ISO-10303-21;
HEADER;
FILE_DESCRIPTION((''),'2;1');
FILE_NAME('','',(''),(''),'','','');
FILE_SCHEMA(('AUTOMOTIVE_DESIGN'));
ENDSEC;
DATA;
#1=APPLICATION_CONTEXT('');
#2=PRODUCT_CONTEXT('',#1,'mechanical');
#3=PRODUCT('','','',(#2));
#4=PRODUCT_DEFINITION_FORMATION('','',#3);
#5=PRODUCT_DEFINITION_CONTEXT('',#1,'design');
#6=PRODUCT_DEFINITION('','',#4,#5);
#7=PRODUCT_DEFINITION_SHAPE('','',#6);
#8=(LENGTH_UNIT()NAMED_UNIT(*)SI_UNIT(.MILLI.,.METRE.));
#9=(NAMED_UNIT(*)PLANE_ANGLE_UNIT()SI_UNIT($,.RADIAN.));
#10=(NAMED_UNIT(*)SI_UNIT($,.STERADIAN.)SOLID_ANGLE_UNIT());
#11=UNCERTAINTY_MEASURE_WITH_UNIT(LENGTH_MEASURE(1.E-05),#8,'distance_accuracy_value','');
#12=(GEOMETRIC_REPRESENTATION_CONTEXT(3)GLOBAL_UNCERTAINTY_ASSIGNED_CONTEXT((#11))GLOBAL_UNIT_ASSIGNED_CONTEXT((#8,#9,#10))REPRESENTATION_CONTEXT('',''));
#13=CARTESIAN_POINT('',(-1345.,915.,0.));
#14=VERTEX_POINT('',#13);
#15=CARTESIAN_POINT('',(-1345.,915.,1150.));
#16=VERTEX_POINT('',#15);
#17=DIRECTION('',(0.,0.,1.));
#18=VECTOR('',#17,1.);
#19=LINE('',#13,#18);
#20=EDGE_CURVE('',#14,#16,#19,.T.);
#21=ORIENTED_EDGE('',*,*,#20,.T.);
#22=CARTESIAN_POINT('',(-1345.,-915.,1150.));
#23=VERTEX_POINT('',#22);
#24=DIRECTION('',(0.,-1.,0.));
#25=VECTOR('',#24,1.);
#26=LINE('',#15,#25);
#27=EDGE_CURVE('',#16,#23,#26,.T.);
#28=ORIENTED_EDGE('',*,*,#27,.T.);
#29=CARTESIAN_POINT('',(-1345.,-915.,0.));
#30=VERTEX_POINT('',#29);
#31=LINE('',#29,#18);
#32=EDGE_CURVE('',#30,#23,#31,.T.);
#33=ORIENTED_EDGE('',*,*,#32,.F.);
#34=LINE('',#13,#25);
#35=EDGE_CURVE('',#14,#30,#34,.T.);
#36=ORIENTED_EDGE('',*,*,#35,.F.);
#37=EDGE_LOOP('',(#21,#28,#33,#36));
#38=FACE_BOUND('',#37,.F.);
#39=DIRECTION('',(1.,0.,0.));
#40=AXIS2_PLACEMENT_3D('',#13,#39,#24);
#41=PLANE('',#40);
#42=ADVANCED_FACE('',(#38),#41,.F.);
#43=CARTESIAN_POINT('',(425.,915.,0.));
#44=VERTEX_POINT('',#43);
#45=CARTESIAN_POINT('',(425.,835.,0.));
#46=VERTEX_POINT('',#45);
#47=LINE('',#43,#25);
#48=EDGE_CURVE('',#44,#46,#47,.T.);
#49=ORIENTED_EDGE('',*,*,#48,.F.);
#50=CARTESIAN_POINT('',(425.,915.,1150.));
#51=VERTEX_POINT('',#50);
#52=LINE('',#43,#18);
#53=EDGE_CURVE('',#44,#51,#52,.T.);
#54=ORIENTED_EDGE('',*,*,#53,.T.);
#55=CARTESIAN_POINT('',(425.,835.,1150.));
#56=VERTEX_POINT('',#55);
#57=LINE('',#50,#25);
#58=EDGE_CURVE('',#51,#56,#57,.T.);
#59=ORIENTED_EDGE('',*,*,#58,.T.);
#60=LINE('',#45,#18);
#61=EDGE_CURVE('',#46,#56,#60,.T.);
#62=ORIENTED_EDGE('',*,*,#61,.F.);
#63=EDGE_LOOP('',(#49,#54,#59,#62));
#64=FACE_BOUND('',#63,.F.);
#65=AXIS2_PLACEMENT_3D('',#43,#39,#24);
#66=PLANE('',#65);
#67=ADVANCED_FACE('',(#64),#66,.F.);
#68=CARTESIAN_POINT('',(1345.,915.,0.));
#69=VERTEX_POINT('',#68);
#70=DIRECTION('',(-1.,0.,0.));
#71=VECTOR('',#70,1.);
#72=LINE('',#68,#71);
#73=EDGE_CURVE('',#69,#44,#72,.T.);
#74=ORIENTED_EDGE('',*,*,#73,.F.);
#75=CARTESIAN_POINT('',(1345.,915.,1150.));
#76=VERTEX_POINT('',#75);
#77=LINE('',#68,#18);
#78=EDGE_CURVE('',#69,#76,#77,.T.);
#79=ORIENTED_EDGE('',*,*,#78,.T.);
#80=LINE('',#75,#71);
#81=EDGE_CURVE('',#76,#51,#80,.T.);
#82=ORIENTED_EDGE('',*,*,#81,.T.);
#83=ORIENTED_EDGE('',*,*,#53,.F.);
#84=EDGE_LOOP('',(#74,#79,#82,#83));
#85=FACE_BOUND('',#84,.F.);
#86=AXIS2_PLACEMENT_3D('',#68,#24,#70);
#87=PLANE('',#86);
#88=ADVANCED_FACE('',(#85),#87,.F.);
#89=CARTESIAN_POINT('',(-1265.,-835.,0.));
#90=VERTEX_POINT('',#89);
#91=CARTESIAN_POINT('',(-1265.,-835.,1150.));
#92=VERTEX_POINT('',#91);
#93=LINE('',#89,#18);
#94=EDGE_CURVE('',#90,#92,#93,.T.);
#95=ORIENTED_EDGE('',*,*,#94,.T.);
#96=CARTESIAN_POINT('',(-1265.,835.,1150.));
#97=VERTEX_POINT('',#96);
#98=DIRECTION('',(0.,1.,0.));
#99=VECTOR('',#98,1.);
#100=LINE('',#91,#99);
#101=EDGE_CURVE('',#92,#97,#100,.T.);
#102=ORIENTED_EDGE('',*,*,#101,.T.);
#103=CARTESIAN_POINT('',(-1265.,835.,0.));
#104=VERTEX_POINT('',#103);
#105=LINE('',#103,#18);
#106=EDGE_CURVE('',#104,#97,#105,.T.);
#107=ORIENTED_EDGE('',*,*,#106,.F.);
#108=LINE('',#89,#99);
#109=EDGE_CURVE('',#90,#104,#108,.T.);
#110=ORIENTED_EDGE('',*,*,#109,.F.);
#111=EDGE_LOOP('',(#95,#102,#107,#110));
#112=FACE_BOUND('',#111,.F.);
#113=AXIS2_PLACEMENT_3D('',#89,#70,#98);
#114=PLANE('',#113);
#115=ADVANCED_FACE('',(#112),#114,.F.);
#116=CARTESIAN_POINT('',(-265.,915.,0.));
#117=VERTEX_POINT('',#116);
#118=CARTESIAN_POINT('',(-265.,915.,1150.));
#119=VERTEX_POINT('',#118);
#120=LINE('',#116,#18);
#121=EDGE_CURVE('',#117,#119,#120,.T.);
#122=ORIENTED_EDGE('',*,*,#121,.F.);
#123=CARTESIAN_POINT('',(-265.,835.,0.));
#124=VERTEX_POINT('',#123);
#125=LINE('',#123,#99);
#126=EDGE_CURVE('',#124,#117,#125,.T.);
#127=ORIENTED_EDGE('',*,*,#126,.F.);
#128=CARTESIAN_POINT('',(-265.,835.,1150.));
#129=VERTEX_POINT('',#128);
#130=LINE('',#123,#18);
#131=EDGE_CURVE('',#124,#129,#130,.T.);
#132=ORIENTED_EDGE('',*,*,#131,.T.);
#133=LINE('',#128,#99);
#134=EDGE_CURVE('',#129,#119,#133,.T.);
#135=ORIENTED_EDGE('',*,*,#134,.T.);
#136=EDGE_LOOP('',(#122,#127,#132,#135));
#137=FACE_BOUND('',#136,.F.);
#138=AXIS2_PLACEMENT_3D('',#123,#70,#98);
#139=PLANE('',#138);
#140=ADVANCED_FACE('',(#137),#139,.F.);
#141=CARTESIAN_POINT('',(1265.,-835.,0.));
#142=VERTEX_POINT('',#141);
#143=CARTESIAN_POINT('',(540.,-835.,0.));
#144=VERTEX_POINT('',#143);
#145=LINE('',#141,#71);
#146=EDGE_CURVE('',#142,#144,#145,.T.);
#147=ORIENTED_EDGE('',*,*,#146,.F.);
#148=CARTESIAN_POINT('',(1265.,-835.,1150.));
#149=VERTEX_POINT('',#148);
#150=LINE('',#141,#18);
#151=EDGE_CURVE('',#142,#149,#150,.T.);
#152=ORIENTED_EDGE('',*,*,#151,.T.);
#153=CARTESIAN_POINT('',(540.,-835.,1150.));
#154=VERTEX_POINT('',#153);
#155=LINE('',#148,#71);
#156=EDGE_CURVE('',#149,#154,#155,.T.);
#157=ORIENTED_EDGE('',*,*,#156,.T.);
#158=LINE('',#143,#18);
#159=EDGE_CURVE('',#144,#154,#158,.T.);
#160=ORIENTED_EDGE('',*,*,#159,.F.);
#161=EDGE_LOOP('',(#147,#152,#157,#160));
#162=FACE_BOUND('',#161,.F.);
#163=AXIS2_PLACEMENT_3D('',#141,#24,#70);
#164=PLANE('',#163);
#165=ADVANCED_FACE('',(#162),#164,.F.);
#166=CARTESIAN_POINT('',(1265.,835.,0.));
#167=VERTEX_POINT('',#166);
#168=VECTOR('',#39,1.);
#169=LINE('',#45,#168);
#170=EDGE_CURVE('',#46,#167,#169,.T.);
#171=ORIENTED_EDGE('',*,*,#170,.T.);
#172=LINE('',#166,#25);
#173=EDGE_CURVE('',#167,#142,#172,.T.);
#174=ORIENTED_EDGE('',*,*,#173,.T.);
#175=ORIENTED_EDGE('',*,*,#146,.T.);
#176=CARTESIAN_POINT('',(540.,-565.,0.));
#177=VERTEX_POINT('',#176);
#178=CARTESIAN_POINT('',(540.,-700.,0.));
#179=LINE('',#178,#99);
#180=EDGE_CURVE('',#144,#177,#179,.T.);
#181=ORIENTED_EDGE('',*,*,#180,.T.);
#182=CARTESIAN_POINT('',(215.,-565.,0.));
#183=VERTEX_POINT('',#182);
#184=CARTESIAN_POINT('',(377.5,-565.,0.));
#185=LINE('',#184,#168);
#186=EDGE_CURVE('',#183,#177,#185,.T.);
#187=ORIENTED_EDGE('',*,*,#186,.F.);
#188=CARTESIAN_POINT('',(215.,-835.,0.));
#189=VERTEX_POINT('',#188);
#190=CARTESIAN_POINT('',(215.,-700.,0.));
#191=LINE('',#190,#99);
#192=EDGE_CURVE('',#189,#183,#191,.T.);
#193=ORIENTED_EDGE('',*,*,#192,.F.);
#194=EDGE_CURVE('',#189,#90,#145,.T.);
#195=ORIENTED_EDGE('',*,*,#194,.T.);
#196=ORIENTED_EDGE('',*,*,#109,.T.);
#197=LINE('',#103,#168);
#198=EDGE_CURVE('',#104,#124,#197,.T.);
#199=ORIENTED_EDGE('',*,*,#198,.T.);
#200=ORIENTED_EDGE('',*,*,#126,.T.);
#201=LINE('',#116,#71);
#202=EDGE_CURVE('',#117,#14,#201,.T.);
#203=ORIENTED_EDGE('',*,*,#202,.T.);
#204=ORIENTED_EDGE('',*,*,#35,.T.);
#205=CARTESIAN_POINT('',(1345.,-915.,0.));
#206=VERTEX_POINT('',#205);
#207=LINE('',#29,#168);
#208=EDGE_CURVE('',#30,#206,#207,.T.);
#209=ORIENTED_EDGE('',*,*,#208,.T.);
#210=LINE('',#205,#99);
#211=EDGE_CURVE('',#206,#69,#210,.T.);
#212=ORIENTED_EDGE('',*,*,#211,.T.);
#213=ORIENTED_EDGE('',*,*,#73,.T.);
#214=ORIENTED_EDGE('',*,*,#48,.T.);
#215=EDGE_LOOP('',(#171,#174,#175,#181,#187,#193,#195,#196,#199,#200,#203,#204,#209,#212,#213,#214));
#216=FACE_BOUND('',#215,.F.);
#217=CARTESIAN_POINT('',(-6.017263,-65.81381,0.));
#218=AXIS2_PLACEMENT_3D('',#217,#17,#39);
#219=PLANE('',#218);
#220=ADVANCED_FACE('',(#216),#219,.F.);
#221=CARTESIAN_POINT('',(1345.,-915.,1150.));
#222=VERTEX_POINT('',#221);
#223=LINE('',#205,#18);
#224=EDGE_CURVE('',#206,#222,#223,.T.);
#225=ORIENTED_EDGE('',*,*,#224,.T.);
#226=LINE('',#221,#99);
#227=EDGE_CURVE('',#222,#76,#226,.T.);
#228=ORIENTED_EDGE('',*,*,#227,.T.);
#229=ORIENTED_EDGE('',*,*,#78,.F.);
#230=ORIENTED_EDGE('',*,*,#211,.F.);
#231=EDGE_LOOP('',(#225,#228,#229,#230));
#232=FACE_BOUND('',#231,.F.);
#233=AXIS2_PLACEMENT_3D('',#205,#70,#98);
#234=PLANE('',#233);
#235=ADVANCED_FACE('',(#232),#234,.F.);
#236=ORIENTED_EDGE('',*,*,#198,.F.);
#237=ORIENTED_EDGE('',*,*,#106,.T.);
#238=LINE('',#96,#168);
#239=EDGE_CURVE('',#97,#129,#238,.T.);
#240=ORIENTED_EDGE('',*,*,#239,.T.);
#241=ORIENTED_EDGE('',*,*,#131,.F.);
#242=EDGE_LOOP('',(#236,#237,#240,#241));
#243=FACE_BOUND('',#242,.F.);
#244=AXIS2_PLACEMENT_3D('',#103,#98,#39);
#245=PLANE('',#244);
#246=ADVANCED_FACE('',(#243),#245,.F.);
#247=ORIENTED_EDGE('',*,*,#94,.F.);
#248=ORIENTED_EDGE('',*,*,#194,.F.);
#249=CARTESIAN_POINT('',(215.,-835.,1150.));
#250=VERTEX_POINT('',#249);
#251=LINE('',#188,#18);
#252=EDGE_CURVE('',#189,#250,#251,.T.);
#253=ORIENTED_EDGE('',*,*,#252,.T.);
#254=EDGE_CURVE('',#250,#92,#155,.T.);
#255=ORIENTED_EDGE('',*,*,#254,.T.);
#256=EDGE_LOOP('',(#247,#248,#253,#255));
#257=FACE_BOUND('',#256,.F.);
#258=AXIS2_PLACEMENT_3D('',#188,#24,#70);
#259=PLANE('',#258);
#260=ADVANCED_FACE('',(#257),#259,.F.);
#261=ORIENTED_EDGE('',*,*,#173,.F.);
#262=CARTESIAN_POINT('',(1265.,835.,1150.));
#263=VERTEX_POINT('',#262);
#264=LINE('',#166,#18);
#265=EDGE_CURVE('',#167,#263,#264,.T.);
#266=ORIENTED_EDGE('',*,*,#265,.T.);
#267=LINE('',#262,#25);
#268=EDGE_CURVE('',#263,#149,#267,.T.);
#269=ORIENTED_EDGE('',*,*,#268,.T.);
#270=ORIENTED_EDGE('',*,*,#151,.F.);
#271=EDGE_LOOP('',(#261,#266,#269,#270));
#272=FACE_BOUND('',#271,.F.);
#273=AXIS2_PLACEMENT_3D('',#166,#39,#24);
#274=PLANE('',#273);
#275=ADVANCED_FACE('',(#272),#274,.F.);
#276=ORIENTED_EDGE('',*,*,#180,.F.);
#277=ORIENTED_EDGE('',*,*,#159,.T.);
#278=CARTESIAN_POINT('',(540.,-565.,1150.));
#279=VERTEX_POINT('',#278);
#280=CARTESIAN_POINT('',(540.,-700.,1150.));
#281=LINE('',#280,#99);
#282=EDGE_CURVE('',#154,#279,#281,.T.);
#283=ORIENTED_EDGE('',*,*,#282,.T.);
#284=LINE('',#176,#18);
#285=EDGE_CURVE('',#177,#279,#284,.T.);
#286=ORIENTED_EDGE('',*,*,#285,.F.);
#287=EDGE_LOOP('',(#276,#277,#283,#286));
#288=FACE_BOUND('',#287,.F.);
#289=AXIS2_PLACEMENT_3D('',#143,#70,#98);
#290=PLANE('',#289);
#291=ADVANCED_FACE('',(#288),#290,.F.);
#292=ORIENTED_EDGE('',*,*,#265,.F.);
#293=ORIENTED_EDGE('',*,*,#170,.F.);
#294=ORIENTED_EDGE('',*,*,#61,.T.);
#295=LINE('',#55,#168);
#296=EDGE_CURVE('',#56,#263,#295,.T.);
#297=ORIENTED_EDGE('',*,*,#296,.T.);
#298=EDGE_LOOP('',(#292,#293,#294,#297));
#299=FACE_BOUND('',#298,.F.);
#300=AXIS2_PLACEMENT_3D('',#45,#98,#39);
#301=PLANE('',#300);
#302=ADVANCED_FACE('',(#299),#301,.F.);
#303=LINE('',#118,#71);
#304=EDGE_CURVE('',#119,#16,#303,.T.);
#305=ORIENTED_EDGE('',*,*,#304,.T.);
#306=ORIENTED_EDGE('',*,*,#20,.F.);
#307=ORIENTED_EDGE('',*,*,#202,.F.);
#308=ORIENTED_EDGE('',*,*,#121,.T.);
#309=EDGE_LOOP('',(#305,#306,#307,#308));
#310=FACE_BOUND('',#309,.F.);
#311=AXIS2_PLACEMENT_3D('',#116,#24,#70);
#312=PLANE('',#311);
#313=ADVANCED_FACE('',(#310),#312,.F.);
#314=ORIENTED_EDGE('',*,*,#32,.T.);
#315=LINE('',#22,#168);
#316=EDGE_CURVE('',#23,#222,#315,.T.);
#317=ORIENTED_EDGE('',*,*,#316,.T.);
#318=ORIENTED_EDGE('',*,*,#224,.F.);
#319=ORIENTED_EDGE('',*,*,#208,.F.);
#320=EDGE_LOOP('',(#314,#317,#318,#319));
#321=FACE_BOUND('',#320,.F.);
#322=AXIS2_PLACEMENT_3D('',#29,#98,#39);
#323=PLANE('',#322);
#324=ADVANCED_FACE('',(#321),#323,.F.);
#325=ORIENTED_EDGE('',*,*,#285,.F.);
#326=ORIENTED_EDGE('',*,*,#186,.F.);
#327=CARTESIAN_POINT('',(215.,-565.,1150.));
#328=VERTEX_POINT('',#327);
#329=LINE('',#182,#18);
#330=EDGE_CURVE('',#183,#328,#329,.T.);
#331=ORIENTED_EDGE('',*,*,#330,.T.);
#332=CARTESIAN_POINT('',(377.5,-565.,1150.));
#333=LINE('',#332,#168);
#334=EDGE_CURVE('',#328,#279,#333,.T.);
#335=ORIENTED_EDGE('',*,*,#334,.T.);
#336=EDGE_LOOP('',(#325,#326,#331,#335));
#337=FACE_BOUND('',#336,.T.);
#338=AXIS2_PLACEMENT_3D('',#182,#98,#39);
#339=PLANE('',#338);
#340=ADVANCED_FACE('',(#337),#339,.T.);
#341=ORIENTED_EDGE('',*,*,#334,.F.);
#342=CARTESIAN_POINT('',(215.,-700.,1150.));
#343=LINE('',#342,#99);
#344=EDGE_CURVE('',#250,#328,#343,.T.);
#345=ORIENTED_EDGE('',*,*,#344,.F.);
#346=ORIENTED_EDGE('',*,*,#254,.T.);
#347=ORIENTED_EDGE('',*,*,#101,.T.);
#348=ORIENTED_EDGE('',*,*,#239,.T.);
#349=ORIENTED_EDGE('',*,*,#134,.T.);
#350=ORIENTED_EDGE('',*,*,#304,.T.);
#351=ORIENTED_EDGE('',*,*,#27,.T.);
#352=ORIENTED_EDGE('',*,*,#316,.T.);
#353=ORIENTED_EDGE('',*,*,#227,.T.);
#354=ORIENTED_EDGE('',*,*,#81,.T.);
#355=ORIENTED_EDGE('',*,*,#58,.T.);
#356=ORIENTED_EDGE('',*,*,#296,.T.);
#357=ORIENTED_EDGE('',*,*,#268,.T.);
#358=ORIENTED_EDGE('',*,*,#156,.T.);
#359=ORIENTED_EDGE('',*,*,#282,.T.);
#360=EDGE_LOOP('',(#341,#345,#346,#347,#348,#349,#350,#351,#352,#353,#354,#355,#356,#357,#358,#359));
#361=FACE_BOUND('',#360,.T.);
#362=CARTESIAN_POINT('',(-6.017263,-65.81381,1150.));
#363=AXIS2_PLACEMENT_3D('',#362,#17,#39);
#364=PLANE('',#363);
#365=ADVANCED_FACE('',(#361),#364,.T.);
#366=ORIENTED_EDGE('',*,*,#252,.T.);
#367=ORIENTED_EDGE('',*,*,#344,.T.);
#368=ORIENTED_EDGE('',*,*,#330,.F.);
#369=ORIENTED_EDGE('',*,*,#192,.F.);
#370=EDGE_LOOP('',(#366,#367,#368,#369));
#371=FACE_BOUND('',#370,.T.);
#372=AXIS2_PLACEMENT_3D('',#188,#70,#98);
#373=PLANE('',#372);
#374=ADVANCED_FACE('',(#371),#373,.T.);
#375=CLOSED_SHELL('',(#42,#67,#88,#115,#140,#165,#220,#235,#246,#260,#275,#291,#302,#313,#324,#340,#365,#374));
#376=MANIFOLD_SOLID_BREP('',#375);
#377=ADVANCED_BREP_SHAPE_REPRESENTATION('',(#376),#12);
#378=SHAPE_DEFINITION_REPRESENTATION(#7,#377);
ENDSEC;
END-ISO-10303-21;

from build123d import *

# Parameters (mm, degrees)
F0_W     = 325
F0_H     = 270
F1_DEPTH = 1150


with BuildPart() as f1:
    # F0 (on Top) → F1 (new body)
    with BuildSketch(Plane.XY):
        Polygon((-1265, 435), (-1265, 835), (-415, 835), (-335, 835), (-265, 835), (-265, 915), (-1345, 915), (-1345, -915), (1345, -915), (1345, 915), (425, 915), (425, 835), (495, 835), (1265, 835), (1265, -835), (540, -835), (215, -835), (-1265, -835), align=None)
        with Locations((377.5, -700)):
            Rectangle(F0_W, F0_H)
    extrude(amount=F1_DEPTH)


solid = f1.part
